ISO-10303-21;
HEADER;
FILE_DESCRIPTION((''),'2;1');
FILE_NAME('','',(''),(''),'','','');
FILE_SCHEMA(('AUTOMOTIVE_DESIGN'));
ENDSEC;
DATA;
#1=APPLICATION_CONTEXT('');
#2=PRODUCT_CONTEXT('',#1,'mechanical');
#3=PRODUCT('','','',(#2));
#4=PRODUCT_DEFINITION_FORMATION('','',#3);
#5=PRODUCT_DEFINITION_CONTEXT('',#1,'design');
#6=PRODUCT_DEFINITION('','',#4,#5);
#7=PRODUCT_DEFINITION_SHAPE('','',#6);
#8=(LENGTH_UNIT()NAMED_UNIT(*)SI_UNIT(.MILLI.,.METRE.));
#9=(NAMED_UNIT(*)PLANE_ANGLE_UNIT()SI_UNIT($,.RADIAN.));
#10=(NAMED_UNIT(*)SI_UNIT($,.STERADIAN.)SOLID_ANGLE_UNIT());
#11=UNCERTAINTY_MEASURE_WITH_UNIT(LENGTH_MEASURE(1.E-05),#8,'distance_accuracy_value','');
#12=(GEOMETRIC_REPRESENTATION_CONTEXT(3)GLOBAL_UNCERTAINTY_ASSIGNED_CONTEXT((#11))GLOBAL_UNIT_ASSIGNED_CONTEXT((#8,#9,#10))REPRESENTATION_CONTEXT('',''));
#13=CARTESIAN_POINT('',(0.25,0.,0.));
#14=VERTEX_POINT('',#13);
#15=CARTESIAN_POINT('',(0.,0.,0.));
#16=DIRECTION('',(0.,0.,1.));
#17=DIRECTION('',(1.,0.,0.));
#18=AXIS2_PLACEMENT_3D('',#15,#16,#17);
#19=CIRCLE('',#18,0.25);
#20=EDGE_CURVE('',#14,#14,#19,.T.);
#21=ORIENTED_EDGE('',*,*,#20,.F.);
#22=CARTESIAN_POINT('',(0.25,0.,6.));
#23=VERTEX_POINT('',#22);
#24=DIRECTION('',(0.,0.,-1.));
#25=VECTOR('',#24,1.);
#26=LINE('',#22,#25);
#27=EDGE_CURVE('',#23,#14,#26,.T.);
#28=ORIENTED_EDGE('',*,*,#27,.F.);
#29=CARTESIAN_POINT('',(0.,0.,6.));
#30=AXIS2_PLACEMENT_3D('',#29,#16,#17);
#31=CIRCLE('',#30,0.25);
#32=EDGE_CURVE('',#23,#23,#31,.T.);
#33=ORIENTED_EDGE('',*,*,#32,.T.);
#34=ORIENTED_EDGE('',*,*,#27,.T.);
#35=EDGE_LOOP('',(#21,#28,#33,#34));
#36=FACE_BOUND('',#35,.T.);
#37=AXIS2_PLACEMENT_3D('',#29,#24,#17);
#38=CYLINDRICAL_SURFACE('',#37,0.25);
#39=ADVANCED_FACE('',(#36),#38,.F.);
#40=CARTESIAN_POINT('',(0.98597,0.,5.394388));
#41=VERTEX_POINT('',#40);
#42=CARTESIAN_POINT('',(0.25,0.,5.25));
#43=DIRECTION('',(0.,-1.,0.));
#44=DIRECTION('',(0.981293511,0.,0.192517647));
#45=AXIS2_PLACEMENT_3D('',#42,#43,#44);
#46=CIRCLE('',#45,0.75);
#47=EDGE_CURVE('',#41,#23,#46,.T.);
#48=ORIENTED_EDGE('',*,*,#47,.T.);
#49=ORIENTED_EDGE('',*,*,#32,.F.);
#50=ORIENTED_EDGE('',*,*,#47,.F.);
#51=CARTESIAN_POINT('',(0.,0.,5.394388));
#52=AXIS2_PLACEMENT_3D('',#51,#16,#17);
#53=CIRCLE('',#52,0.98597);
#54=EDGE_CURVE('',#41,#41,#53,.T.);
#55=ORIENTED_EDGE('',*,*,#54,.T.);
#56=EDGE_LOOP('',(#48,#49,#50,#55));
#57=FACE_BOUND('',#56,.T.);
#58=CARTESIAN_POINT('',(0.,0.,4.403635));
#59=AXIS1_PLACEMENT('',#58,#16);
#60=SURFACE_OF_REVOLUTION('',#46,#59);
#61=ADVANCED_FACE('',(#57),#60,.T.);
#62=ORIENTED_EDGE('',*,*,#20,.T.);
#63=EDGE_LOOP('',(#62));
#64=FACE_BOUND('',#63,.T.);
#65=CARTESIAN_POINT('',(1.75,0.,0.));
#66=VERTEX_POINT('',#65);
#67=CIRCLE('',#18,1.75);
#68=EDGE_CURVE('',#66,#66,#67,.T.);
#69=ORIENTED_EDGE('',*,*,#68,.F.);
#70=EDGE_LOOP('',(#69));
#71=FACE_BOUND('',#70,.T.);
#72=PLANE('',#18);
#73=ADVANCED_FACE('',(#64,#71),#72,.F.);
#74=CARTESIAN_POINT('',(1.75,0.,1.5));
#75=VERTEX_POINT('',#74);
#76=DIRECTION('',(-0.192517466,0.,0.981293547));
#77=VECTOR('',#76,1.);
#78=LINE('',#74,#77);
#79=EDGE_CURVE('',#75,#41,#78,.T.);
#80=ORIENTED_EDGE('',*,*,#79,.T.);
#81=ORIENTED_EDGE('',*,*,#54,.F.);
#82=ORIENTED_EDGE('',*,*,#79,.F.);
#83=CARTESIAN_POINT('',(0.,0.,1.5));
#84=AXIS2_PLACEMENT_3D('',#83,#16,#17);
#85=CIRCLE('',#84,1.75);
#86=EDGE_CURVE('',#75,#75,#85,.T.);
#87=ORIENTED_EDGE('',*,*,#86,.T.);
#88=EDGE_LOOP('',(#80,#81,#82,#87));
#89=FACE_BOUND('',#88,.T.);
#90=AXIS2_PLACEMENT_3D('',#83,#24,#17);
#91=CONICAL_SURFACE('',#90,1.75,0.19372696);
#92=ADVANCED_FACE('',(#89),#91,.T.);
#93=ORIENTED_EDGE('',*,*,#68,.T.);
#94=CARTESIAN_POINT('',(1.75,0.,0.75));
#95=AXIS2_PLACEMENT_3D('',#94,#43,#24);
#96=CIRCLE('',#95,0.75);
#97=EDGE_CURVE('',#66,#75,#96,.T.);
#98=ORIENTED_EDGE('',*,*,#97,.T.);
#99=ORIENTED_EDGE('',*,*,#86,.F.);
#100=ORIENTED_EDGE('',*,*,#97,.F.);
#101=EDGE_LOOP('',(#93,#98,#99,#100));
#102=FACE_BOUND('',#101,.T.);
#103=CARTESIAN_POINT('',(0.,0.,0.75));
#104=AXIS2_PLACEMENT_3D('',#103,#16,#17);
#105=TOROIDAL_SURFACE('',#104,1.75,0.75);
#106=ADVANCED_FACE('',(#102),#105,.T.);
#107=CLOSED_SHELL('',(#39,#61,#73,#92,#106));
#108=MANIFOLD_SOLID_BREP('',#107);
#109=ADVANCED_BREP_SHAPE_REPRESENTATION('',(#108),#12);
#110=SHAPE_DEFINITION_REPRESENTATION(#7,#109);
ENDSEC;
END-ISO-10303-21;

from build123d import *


with BuildPart() as f1:
    # F0 (on Front) → F1 (revolve)
    with BuildSketch(Plane.XZ):
        with BuildLine():
            Line((0.25, 6), (0.25, 0))
            Line((0.25, 0), (1.75, 0))
            ThreePointArc((1.75, 0), (2.5, 0.75), (1.75, 1.5))
            Line((1.75, 1.5), (0.98597, 5.394388))
            ThreePointArc((0.98597, 5.394388), (0.726555, 5.829133), (0.25, 6))
        make_face()
    revolve(axis=Axis((0, 0, 4.403635), (0, 0, 1)))


solid = f1.part
